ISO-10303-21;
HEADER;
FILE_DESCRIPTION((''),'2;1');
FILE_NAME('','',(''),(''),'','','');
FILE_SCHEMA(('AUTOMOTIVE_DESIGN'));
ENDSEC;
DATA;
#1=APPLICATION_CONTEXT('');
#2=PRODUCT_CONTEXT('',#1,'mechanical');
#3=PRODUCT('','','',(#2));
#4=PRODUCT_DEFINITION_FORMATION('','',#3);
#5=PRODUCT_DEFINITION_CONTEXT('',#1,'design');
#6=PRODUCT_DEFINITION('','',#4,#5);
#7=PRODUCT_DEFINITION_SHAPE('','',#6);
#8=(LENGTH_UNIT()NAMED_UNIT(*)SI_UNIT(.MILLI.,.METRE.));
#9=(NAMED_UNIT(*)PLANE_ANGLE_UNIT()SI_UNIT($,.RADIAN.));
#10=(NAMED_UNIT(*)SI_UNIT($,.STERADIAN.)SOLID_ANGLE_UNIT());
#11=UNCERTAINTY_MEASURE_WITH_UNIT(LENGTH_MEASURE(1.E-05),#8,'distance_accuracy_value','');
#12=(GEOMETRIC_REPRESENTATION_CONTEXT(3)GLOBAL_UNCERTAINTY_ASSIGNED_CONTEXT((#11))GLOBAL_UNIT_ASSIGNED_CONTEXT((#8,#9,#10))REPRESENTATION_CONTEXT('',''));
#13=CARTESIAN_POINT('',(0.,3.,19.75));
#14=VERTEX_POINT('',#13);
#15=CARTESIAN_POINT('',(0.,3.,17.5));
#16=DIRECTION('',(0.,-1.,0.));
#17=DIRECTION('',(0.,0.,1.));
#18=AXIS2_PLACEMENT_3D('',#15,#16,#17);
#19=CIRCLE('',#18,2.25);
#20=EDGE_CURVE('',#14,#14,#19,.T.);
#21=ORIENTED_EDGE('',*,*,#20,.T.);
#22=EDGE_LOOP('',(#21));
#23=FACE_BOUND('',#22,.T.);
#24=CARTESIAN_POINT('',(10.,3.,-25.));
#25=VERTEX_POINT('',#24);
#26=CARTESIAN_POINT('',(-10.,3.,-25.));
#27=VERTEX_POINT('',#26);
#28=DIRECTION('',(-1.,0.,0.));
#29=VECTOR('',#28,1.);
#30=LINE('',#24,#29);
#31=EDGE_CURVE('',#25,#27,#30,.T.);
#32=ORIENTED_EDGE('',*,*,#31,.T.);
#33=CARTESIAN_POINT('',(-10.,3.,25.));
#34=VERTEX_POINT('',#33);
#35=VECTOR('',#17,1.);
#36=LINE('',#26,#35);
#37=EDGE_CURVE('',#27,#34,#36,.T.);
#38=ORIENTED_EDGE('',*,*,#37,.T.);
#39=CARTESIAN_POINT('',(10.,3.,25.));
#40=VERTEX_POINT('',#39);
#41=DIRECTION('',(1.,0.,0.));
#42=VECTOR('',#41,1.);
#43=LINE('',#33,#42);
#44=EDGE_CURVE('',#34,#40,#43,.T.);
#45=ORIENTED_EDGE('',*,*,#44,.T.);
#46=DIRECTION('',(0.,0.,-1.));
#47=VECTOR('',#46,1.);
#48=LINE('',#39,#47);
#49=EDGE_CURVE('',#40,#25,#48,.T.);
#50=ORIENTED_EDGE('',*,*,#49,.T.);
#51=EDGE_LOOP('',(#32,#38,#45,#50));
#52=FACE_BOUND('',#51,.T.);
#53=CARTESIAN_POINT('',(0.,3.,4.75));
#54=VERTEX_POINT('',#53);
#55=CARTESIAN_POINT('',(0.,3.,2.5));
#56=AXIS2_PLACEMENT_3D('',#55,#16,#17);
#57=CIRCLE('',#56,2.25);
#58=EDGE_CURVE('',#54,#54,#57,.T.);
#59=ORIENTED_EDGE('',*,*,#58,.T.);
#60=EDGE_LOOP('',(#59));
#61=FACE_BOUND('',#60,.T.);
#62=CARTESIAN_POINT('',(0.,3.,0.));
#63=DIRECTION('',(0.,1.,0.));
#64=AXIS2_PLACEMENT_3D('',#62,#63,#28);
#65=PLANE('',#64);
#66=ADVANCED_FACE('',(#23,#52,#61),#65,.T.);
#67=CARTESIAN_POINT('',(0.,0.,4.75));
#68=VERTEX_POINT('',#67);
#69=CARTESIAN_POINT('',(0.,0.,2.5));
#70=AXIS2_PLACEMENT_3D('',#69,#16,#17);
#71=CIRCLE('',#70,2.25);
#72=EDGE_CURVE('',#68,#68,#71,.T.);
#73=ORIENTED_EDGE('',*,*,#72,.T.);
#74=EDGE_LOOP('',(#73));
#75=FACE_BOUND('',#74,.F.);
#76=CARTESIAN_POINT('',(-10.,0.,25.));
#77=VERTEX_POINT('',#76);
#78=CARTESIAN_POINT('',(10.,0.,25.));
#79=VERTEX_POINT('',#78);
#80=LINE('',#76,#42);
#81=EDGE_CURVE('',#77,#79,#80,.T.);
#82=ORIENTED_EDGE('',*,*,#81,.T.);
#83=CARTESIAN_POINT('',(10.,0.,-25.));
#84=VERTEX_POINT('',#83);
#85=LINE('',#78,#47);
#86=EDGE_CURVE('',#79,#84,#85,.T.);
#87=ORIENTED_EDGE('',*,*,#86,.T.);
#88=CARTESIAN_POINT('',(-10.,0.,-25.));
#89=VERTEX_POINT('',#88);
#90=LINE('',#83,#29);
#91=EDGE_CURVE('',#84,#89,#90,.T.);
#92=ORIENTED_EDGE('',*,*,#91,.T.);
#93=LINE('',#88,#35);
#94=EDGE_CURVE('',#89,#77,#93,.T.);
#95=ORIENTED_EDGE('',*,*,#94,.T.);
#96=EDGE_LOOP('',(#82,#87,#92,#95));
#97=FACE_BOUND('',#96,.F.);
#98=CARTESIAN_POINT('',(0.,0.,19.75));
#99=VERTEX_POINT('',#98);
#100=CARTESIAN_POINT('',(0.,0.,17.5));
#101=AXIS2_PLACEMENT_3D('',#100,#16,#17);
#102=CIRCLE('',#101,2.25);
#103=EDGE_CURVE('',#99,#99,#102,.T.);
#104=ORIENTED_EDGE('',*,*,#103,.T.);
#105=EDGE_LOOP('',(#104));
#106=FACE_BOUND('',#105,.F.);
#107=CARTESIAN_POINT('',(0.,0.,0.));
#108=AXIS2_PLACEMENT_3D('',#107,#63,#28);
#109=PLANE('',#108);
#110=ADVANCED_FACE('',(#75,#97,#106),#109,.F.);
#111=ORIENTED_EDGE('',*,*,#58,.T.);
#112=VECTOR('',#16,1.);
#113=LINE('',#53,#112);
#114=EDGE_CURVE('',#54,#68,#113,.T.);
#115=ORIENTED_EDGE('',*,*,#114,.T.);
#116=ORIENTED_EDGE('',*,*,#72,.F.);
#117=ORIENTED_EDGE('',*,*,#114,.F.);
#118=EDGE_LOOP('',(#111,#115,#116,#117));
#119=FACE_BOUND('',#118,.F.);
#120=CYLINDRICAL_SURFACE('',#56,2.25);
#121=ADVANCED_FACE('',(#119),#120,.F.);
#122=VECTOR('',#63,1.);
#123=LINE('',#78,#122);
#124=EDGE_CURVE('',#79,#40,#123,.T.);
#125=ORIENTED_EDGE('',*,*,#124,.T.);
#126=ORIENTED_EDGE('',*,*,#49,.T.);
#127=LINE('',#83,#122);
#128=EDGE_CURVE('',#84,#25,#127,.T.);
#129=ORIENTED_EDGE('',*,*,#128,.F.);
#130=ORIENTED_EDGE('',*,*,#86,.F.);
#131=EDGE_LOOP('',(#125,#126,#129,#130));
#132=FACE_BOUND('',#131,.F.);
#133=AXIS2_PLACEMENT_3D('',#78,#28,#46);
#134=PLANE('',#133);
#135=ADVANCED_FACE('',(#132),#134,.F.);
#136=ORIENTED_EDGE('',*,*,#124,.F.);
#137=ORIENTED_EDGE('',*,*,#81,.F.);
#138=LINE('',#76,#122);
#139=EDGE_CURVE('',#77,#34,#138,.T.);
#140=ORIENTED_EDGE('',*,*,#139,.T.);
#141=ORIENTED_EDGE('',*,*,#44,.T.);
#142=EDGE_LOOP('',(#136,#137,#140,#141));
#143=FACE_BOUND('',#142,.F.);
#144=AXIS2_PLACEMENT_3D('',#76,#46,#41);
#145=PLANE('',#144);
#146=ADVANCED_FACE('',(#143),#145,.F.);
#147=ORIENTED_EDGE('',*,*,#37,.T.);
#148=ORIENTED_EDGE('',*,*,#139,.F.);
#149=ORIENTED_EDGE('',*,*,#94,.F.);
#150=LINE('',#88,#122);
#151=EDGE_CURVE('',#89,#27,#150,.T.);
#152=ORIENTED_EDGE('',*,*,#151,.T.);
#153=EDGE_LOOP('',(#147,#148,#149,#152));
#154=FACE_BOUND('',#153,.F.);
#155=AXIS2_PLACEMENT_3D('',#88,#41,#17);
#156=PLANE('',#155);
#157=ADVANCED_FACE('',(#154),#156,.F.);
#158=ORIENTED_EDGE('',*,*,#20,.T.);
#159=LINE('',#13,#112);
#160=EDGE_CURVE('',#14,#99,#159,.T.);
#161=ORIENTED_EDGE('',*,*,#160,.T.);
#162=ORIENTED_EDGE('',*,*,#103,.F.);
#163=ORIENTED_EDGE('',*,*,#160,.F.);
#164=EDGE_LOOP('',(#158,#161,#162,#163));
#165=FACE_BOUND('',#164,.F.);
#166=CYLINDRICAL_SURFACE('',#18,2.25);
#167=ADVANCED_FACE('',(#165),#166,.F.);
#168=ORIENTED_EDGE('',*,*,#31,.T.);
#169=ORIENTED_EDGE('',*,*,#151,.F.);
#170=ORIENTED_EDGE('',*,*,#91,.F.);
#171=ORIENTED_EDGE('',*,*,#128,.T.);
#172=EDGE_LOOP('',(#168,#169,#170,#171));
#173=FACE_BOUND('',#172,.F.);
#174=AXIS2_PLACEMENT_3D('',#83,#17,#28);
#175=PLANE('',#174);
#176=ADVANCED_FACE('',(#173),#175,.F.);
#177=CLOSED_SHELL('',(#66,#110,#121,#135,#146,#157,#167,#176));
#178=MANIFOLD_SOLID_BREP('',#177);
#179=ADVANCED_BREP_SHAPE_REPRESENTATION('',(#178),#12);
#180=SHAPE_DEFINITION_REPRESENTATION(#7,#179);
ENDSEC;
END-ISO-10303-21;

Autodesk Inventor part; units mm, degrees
ref_plane "YZ Plane" through (0, 0, 0) normal (1, 0, 0) x (0, 1, 0)
ref_plane "XZ Plane" through (0, 0, 0) normal (0, 1, 0) x (-1, 0, 0)
ref_plane "XY Plane" through (0, 0, 0) normal (0, 0, 1) x (1, 0, 0)
sketch "Sketch1" plane through (0, 0, 0) normal (0, 1, 0) x (-1, 0, 0)
  line L0 (10, 25) -> (-10, 25)
  line L1 (-10, 25) -> (-10, -25)
  line L2 (-10, -25) -> (10, -25)
  line L3 (10, -25) -> (10, 25)
  point P0 (0, 0)
  point P1 (0, -25)
  point P2 (10, 0)
  dimension "d0" = 20
  dimension "d1" = 50
extrude "Extrusion1" add sketch "Sketch1" along normal blind 3
sketch "Sketch2" plane through (0, 3, 0) normal (0, 1, 0) x (1, 0, 0)
  line L0 (-10, -25) -> (10, -25) projected
  point P0 (0, 0)
  point P1 (0, -17.5)
  point P2 (0, -2.5)
  dimension "d4" = 15
  dimension "d6" = 7.5
hole "Hole1" at (0, 3, 17.5) at (0, 3, 2.5) direction (0, -1, 0) diameter 4.5 end through all
properties part number "Endstop Mounting Plate"
